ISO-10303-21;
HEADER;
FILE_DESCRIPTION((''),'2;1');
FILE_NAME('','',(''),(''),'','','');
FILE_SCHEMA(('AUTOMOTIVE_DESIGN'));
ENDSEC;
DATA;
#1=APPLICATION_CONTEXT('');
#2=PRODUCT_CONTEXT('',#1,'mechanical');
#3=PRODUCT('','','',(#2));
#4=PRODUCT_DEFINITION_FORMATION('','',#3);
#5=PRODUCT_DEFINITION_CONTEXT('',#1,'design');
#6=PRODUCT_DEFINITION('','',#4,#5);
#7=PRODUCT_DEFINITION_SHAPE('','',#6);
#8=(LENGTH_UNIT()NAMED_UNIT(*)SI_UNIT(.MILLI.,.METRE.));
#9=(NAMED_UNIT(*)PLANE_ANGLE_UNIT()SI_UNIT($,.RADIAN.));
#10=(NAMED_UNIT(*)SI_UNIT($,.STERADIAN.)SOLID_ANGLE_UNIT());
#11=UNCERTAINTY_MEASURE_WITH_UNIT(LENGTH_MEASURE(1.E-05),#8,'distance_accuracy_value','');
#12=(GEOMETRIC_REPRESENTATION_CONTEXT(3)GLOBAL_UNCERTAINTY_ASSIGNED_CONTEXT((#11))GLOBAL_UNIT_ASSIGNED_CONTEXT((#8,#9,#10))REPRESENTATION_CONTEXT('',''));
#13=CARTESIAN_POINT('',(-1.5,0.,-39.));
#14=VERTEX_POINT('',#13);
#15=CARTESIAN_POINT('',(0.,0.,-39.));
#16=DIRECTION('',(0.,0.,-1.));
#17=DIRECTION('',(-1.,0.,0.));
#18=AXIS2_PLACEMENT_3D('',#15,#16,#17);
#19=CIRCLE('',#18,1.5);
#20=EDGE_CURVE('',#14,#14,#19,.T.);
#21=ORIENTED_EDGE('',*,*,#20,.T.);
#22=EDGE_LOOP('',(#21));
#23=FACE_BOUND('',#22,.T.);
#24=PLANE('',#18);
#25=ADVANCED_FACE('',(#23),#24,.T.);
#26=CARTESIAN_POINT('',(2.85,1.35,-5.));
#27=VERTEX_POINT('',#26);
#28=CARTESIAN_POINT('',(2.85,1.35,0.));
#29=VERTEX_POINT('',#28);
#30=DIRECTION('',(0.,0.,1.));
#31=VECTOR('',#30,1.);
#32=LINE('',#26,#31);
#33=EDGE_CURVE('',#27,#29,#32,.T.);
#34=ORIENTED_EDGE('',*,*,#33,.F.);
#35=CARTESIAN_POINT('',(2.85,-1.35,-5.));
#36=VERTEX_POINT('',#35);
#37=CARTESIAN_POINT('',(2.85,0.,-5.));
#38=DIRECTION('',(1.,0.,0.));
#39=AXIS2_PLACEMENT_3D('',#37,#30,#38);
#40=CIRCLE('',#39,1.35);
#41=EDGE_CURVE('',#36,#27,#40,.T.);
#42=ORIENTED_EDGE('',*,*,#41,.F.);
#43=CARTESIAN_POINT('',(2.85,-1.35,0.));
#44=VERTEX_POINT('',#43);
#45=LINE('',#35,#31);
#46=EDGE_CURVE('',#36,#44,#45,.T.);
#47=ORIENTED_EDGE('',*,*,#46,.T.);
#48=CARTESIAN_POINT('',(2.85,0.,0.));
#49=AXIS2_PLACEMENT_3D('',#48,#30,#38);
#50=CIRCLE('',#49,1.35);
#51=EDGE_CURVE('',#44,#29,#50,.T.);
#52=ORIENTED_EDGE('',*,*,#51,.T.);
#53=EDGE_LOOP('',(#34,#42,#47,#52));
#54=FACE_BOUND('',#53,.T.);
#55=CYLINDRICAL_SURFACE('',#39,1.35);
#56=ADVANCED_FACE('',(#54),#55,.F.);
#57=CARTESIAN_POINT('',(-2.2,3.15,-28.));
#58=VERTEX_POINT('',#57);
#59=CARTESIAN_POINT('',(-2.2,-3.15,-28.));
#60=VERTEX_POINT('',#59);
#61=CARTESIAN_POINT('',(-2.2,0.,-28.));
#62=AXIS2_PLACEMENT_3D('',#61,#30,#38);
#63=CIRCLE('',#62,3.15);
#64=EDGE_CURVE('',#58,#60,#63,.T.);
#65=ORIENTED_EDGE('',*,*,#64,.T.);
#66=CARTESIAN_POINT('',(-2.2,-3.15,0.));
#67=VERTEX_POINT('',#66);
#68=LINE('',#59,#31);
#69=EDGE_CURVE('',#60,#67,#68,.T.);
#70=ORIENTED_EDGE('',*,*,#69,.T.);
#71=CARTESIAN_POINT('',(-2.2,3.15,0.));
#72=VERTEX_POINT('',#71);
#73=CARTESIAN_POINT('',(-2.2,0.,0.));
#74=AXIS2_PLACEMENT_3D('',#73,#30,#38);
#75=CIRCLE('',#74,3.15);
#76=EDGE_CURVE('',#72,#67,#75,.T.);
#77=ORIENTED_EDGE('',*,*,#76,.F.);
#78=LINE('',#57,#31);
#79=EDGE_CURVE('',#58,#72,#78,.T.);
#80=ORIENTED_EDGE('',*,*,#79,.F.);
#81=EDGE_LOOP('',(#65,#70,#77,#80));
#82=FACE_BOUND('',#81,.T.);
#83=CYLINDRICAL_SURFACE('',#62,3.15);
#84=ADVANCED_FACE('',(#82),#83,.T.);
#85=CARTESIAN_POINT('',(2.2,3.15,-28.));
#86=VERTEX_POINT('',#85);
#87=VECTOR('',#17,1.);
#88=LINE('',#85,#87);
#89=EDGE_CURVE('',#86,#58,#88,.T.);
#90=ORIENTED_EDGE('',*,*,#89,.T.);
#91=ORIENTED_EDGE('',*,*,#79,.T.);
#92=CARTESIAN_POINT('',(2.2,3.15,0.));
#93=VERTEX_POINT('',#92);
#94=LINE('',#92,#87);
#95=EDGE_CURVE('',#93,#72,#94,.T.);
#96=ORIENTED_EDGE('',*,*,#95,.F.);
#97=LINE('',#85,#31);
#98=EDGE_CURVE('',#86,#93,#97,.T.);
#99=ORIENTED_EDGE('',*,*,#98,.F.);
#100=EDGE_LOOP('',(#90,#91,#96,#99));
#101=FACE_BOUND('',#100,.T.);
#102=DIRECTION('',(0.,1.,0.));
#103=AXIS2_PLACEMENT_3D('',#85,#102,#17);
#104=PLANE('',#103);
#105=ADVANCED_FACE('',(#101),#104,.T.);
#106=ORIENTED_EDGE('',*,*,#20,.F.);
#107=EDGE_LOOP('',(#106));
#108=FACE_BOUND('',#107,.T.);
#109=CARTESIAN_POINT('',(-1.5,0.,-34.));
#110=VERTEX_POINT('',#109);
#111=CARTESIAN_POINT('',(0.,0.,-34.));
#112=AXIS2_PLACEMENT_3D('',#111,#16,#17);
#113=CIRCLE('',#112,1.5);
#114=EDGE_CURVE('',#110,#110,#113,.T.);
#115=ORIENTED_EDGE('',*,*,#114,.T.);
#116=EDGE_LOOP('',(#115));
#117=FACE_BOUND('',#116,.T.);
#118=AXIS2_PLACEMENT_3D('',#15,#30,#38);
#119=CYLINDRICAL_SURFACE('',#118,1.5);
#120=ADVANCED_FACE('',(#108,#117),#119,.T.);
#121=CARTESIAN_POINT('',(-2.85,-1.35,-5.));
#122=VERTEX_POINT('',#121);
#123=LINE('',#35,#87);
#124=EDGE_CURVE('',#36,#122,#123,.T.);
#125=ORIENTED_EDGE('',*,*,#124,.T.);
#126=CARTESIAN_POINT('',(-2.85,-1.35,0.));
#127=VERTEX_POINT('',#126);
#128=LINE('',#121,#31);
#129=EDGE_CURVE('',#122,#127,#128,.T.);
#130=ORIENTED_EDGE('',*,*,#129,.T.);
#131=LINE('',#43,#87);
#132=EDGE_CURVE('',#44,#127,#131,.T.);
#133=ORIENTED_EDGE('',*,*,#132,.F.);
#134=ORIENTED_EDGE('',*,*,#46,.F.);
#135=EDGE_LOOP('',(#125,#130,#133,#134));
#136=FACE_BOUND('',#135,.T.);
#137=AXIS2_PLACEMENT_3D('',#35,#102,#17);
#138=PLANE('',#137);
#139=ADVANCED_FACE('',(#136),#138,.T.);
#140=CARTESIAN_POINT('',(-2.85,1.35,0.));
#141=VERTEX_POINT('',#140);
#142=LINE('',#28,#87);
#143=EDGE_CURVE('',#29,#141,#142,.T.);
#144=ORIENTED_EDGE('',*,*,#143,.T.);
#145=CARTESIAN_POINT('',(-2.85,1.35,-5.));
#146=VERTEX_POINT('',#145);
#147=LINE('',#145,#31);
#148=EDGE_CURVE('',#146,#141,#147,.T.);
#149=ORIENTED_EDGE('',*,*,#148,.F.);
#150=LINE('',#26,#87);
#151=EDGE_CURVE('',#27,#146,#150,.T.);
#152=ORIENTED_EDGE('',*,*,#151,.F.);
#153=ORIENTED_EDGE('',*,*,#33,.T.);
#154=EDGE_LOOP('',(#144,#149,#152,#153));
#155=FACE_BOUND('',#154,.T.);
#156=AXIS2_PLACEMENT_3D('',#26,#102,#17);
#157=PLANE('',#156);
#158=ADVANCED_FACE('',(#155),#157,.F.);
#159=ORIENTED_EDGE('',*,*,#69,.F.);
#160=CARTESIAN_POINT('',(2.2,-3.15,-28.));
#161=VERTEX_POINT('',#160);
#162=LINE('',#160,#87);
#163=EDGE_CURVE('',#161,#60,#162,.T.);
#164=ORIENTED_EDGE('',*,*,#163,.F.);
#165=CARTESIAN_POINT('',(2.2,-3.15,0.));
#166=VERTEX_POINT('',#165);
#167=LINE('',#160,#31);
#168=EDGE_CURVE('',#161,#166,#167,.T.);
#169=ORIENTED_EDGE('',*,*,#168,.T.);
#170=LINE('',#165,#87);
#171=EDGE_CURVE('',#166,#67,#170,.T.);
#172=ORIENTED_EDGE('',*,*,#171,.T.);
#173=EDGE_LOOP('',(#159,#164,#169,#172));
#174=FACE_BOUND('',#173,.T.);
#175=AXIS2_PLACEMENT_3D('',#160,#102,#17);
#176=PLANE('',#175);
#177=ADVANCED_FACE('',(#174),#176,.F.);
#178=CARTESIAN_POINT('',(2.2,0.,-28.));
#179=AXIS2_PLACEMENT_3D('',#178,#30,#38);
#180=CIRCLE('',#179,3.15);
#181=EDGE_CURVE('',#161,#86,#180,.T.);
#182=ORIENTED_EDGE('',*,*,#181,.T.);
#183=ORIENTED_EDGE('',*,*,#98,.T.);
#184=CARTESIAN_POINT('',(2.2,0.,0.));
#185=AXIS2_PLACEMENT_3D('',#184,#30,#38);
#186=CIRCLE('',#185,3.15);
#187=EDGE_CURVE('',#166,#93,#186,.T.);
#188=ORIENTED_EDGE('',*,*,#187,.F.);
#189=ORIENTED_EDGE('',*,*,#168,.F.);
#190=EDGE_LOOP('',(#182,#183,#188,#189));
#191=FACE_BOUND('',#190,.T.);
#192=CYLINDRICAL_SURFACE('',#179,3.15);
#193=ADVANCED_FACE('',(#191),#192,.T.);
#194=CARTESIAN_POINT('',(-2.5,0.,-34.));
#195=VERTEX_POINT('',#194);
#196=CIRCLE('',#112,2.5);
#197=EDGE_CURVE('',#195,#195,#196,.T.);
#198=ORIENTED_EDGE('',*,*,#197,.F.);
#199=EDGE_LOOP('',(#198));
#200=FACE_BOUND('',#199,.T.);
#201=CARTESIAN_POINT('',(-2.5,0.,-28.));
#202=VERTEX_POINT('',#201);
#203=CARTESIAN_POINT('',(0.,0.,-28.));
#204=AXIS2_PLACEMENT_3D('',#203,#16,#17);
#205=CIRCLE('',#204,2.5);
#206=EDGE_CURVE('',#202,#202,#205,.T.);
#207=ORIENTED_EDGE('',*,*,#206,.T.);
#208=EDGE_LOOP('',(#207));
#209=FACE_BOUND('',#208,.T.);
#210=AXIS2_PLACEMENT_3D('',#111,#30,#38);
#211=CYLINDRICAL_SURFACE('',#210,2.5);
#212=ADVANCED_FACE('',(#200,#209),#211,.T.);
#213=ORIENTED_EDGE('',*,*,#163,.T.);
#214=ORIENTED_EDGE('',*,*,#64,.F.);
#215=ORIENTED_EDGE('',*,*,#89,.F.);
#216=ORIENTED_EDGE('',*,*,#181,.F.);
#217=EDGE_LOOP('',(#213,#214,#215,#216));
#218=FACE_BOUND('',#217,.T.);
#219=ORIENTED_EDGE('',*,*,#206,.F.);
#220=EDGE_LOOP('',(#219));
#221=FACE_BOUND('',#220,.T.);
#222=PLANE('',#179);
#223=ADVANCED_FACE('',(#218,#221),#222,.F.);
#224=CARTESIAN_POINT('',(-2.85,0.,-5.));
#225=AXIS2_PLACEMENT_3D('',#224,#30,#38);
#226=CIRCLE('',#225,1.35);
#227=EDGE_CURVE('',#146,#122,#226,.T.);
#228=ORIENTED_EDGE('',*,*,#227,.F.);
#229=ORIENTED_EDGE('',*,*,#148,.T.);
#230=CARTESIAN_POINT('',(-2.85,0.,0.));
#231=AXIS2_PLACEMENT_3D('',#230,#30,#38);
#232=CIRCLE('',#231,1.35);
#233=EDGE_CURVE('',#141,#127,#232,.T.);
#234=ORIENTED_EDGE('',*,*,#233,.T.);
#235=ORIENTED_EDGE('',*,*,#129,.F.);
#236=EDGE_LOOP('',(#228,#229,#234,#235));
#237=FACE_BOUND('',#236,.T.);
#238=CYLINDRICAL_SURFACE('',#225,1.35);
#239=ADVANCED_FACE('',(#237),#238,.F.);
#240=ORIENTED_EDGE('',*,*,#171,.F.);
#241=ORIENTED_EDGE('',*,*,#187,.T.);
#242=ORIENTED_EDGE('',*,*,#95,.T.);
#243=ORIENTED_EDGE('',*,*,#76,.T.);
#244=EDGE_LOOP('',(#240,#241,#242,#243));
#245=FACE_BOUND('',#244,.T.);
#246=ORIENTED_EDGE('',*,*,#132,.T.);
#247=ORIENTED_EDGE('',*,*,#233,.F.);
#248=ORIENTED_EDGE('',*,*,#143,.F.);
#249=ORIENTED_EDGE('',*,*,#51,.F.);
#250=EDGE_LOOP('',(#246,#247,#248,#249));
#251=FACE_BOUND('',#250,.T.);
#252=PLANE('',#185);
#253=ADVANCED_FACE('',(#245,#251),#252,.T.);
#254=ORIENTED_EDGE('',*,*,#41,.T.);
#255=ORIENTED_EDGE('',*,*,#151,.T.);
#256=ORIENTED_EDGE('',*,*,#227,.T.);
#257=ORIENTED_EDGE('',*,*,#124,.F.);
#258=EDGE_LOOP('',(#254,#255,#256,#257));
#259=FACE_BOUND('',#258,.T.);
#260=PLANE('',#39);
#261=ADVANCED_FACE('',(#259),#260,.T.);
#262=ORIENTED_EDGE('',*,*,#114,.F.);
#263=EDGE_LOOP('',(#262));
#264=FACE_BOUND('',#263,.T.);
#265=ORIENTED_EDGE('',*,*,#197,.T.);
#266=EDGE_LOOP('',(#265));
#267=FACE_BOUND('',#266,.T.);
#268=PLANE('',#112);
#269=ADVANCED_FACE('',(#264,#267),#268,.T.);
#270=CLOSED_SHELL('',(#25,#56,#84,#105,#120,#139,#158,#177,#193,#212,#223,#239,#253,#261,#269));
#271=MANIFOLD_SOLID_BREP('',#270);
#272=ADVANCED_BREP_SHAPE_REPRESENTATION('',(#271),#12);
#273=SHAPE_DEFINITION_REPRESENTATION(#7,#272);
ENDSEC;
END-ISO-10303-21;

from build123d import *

# Parameters (mm, degrees)
BOSS_EXTRUDE1_DEPTH = 28
CUT_EXTRUDE1_DEPTH  = 5
SKETCH3_R           = 2.5
BOSS_EXTRUDE2_DEPTH = 6
SKETCH4_R           = 1.5
BOSS_EXTRUDE3_DEPTH = 5


with BuildPart() as part:
    # Sketch1 → Boss-Extrude1 (new body)
    with BuildSketch(Plane.XY):
        with BuildLine():
            Line((2.2, -3.15), (-2.2, -3.15))
            ThreePointArc((-2.2, -3.15), (-5.35, 0), (-2.2, 3.15))
            Line((-2.2, 3.15), (2.2, 3.15))
            ThreePointArc((2.2, 3.15), (5.35, 0), (2.2, -3.15))
        make_face()
    extrude(amount=-BOSS_EXTRUDE1_DEPTH)

    # Sketch1<3> → Cut-Extrude1 (cut)
    with BuildSketch(Plane.XY):
        with BuildLine():
            Line((2.85, -1.35), (-2.85, -1.35))
            ThreePointArc((-2.85, -1.35), (-4.2, 0), (-2.85, 1.35))
            Line((-2.85, 1.35), (2.85, 1.35))
            ThreePointArc((2.85, 1.35), (4.2, 0), (2.85, -1.35))
        make_face()
    extrude(amount=-CUT_EXTRUDE1_DEPTH, mode=Mode.SUBTRACT)

    # Sketch3 → Boss-Extrude2 (add)
    with BuildSketch(Plane(origin=(0, 0, -28), x_dir=(-1, 0, 0), z_dir=(0, 0, -1))):
        Circle(SKETCH3_R)
    extrude(amount=BOSS_EXTRUDE2_DEPTH)

    # Sketch4 → Boss-Extrude3 (add)
    with BuildSketch(Plane(origin=(0, 0, -34), x_dir=(-1, 0, 0), z_dir=(0, 0, -1))):
        Circle(SKETCH4_R)
    extrude(amount=BOSS_EXTRUDE3_DEPTH)


solid = part.part
